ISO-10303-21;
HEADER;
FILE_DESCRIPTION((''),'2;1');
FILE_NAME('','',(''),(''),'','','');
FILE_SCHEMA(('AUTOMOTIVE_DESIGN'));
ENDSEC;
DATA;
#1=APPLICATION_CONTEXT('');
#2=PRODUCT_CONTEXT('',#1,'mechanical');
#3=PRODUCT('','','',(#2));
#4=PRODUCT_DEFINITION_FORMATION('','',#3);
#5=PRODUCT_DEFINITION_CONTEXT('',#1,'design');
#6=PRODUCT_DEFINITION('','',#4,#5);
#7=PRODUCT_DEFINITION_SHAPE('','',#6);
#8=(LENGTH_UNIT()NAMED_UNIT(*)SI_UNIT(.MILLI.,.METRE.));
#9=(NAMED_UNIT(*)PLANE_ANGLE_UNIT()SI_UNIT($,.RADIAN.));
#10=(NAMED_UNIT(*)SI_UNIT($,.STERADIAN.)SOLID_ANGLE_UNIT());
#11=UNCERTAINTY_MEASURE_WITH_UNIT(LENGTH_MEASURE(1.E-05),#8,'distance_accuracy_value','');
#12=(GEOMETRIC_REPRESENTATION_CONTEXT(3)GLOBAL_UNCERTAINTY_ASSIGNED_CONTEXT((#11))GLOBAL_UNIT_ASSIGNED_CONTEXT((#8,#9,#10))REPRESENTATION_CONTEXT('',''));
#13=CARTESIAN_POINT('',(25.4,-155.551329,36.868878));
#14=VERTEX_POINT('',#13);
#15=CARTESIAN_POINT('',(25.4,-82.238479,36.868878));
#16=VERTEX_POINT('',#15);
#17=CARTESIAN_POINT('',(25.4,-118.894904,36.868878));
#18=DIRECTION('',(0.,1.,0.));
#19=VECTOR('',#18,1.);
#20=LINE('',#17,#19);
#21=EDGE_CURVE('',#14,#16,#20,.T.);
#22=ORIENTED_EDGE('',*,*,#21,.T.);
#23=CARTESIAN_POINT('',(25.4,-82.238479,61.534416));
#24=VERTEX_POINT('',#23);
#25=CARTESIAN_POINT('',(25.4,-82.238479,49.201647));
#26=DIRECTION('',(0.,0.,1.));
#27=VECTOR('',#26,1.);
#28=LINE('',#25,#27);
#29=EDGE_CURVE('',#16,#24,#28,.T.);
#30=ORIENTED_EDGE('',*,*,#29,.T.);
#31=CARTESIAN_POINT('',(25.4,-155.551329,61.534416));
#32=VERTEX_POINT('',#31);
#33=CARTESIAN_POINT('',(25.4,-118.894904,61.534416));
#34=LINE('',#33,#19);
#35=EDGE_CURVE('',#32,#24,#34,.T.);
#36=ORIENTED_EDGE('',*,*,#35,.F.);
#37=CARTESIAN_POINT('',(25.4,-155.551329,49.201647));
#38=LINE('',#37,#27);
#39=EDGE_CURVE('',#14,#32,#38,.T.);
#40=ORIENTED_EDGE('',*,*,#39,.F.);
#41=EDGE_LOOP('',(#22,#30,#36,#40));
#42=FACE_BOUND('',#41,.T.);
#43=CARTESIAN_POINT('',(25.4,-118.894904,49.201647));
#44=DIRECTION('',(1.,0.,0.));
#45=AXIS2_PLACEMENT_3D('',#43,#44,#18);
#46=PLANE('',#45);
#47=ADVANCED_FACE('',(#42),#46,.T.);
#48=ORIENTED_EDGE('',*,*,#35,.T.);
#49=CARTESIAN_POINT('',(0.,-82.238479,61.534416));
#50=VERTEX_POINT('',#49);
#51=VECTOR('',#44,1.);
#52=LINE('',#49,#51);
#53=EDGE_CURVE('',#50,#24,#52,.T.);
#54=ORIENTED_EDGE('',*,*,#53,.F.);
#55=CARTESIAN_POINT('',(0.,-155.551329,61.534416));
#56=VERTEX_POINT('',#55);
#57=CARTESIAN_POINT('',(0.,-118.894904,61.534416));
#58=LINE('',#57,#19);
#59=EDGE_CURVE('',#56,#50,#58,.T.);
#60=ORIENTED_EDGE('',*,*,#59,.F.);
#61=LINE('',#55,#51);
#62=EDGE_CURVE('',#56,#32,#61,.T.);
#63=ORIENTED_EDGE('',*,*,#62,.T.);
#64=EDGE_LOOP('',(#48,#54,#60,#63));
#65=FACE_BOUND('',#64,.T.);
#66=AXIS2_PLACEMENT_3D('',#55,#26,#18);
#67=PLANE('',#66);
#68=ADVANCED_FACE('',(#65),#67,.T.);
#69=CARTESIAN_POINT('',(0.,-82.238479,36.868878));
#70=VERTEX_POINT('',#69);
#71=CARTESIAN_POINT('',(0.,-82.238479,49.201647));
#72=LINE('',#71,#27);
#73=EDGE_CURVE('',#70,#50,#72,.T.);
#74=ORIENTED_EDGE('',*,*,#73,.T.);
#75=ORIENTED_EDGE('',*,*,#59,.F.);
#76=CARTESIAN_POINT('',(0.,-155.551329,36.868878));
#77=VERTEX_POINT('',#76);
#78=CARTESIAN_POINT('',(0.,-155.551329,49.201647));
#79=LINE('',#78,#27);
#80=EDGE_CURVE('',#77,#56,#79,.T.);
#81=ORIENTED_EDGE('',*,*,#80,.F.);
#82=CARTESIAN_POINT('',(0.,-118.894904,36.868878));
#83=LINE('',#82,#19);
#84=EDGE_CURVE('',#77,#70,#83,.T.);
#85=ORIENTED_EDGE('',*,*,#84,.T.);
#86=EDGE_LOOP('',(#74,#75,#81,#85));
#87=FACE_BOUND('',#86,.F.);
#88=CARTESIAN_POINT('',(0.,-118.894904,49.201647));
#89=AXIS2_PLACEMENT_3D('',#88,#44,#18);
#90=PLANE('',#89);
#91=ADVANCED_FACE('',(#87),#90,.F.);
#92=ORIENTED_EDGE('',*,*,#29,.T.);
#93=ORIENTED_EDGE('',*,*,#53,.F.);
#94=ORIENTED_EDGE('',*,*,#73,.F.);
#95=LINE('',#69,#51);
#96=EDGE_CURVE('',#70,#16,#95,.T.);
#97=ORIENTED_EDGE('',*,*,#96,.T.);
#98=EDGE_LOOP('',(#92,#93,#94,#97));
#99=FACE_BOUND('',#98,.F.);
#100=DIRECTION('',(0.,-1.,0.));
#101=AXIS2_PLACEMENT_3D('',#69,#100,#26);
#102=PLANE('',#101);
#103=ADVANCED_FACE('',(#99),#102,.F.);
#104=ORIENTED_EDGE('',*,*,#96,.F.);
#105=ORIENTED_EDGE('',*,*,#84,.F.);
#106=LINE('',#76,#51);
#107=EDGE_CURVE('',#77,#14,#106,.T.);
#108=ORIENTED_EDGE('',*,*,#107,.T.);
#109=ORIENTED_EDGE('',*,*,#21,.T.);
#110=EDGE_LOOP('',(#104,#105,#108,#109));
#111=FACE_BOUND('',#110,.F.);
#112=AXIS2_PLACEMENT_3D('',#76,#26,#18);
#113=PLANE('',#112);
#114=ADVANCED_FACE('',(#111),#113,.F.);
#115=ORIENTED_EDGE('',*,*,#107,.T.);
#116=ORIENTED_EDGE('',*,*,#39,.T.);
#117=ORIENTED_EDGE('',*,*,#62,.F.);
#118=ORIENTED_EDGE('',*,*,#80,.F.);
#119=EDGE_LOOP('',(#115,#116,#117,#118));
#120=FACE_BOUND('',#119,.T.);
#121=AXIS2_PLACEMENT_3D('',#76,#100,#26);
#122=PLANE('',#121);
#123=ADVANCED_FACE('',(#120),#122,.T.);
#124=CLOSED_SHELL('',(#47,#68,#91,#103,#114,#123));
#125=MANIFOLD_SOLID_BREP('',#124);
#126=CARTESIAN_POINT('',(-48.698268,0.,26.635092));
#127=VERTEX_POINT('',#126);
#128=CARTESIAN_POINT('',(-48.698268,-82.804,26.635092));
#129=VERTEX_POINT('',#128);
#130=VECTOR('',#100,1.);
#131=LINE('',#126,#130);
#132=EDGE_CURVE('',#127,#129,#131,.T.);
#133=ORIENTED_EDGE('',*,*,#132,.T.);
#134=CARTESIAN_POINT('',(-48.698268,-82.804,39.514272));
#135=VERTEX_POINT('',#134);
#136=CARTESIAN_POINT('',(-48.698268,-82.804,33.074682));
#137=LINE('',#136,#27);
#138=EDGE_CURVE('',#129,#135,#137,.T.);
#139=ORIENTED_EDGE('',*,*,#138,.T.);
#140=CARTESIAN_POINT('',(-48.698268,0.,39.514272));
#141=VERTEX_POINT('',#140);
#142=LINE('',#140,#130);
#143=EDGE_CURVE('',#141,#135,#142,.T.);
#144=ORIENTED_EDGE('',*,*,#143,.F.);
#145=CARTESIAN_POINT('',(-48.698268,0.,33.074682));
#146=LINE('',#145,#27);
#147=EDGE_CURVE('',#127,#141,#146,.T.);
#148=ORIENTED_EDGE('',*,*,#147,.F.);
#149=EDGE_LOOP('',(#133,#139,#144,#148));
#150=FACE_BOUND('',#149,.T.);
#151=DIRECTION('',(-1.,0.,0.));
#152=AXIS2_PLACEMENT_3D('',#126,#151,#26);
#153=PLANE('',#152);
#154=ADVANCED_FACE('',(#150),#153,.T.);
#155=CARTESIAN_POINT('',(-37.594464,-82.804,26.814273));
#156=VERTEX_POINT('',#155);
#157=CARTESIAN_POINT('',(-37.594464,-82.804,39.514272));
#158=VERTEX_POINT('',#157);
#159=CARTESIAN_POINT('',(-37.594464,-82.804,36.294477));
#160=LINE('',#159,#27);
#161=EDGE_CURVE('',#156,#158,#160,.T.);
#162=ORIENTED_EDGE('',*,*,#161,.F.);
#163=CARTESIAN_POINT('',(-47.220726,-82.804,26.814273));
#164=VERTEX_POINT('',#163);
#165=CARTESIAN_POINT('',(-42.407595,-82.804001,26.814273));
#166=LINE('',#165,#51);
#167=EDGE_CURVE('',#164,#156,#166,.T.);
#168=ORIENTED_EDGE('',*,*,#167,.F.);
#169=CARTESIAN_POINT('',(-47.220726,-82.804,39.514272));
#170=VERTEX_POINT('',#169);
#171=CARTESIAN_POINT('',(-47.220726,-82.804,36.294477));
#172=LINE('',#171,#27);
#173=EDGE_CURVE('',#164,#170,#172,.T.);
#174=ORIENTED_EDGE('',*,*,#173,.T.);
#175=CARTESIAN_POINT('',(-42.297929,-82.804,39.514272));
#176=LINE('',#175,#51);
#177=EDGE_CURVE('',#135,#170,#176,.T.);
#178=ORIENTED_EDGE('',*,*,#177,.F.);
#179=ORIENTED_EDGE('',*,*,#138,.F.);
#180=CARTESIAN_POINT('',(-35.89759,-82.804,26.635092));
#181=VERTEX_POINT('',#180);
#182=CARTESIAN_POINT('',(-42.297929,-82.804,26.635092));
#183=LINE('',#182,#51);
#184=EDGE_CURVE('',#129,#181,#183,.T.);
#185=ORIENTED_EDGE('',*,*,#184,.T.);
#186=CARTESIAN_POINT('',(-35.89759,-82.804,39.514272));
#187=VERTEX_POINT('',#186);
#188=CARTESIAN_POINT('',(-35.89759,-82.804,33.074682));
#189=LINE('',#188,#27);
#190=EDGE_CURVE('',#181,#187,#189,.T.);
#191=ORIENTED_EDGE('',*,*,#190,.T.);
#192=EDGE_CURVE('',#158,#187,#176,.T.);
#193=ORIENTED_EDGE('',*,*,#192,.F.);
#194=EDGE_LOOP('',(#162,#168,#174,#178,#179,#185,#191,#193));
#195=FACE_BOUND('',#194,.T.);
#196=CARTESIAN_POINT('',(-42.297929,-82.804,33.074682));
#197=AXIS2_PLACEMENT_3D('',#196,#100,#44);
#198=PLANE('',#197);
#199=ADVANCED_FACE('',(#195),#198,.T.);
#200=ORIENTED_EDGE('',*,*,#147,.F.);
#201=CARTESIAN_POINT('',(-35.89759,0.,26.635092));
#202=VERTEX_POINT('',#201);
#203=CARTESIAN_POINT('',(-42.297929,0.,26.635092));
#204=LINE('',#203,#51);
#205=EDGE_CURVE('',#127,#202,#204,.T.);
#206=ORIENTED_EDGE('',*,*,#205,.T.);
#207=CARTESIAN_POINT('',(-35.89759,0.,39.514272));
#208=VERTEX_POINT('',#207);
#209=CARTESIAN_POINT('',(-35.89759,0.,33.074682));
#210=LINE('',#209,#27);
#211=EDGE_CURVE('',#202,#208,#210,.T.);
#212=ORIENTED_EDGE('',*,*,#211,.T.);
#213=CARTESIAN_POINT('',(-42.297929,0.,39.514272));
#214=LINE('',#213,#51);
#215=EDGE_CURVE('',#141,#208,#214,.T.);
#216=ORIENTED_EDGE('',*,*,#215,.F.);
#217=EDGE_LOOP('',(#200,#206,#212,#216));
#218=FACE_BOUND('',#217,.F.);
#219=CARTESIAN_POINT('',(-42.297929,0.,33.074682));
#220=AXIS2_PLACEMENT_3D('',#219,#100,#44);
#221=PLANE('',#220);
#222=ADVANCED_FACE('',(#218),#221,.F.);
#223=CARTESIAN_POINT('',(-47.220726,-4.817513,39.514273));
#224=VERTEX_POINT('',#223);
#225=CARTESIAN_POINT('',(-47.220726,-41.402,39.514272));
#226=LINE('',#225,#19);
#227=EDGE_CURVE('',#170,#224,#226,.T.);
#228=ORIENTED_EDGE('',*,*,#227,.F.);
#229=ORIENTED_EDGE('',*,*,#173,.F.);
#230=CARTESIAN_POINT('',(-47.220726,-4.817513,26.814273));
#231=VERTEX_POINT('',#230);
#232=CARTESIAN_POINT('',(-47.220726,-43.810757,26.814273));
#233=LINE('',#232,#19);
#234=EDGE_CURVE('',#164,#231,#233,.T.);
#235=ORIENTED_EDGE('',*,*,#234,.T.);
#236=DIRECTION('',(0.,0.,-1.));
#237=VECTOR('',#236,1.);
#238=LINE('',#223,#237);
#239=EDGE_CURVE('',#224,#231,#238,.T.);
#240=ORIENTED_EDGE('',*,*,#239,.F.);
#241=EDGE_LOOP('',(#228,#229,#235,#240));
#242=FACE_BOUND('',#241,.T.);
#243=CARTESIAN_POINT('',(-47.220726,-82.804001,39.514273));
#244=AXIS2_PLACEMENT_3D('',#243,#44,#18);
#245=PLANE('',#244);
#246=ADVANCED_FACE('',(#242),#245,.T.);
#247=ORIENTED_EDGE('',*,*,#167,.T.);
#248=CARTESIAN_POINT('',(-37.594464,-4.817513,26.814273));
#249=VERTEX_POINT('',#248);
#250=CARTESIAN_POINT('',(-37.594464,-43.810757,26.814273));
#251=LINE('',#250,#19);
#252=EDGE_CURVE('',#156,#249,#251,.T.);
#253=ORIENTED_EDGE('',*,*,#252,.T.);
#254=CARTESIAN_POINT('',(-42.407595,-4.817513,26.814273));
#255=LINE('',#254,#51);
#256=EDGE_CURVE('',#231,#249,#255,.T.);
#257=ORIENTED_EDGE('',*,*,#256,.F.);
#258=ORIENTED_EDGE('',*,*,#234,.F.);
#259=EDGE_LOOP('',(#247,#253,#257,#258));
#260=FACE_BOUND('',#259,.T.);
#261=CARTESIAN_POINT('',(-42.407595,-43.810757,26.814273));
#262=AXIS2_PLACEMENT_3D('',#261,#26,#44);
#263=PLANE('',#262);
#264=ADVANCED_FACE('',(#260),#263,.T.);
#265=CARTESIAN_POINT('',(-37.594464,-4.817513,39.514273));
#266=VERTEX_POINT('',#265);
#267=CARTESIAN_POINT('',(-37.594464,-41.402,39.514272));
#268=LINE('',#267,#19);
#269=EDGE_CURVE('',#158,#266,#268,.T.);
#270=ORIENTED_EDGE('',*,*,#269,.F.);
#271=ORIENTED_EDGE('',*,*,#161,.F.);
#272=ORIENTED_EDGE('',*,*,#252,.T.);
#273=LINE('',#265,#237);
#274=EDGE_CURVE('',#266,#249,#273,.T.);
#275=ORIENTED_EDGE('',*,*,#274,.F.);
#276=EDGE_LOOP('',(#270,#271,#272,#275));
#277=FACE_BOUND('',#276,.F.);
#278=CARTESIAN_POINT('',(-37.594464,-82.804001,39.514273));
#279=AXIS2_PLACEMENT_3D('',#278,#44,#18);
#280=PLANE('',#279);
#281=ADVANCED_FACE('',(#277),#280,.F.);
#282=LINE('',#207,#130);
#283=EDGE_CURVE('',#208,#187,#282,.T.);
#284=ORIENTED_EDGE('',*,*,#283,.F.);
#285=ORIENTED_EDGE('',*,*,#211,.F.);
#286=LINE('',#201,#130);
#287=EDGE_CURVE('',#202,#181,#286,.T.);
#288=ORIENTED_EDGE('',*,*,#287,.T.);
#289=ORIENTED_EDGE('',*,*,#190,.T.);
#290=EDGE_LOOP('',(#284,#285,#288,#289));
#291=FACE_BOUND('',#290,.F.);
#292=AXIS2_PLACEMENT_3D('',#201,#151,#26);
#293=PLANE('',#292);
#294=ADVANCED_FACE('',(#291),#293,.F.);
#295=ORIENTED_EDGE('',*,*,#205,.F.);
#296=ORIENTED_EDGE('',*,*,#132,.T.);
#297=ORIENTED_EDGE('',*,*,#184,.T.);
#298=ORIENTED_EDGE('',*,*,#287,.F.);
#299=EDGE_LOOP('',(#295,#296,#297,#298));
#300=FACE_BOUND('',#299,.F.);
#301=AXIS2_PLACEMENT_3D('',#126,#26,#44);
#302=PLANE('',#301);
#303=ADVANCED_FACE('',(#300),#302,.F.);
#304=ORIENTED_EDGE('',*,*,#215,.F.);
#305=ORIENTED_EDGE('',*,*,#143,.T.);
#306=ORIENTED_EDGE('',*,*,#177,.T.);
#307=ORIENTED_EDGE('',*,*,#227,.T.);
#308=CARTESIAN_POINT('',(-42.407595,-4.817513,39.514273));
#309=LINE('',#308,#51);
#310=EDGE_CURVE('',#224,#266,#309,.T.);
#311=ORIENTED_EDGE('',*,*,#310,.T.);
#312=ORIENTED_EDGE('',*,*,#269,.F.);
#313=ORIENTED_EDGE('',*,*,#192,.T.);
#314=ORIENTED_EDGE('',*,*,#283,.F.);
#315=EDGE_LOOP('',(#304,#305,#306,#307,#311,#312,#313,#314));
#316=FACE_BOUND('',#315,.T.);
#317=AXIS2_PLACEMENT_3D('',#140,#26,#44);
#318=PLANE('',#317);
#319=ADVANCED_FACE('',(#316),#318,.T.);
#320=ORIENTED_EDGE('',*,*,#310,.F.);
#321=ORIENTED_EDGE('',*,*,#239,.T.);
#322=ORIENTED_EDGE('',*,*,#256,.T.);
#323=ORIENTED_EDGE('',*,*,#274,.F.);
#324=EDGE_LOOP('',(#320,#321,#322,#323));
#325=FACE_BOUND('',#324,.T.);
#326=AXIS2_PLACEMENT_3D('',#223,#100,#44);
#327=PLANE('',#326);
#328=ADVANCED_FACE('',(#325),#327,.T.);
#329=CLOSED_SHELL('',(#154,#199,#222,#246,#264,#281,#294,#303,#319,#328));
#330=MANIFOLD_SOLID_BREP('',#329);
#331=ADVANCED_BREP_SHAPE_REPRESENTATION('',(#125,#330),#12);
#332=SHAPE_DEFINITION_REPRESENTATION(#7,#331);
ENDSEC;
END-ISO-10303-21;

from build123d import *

# Parameters (mm, degrees)
F0_W     = 12.800679
F0_H     = 12.879181
F1_DEPTH = 82.804
F2_W     = 9.626262
F2_H     = 77.986487
F3_DEPTH = 12.7
F4_W     = 73.312849
F4_H     = 24.665538
F5_DEPTH = 25.4


with BuildPart() as f1:
    # F0 (on Front) → F1 (new body)
    with BuildSketch(Plane.XZ):
        with Locations((-42.297929, 33.074682)):
            Rectangle(F0_W, F0_H)
    extrude(amount=F1_DEPTH)

    # F2 (on face) → F3 (cut)
    with BuildSketch(Plane.XY.offset(39.514273)):
        with Locations((-42.407595, -43.810757)):
            Rectangle(F2_W, F2_H)
    extrude(amount=-F3_DEPTH, mode=Mode.SUBTRACT)


with BuildPart() as f5:
    # F4 (on Right) → F5 (new body)
    with BuildSketch(Plane.YZ):
        with Locations((-118.894904, 49.201647)):
            Rectangle(F4_W, F4_H)
    extrude(amount=F5_DEPTH)


solid = Compound([f1.part, f5.part])
